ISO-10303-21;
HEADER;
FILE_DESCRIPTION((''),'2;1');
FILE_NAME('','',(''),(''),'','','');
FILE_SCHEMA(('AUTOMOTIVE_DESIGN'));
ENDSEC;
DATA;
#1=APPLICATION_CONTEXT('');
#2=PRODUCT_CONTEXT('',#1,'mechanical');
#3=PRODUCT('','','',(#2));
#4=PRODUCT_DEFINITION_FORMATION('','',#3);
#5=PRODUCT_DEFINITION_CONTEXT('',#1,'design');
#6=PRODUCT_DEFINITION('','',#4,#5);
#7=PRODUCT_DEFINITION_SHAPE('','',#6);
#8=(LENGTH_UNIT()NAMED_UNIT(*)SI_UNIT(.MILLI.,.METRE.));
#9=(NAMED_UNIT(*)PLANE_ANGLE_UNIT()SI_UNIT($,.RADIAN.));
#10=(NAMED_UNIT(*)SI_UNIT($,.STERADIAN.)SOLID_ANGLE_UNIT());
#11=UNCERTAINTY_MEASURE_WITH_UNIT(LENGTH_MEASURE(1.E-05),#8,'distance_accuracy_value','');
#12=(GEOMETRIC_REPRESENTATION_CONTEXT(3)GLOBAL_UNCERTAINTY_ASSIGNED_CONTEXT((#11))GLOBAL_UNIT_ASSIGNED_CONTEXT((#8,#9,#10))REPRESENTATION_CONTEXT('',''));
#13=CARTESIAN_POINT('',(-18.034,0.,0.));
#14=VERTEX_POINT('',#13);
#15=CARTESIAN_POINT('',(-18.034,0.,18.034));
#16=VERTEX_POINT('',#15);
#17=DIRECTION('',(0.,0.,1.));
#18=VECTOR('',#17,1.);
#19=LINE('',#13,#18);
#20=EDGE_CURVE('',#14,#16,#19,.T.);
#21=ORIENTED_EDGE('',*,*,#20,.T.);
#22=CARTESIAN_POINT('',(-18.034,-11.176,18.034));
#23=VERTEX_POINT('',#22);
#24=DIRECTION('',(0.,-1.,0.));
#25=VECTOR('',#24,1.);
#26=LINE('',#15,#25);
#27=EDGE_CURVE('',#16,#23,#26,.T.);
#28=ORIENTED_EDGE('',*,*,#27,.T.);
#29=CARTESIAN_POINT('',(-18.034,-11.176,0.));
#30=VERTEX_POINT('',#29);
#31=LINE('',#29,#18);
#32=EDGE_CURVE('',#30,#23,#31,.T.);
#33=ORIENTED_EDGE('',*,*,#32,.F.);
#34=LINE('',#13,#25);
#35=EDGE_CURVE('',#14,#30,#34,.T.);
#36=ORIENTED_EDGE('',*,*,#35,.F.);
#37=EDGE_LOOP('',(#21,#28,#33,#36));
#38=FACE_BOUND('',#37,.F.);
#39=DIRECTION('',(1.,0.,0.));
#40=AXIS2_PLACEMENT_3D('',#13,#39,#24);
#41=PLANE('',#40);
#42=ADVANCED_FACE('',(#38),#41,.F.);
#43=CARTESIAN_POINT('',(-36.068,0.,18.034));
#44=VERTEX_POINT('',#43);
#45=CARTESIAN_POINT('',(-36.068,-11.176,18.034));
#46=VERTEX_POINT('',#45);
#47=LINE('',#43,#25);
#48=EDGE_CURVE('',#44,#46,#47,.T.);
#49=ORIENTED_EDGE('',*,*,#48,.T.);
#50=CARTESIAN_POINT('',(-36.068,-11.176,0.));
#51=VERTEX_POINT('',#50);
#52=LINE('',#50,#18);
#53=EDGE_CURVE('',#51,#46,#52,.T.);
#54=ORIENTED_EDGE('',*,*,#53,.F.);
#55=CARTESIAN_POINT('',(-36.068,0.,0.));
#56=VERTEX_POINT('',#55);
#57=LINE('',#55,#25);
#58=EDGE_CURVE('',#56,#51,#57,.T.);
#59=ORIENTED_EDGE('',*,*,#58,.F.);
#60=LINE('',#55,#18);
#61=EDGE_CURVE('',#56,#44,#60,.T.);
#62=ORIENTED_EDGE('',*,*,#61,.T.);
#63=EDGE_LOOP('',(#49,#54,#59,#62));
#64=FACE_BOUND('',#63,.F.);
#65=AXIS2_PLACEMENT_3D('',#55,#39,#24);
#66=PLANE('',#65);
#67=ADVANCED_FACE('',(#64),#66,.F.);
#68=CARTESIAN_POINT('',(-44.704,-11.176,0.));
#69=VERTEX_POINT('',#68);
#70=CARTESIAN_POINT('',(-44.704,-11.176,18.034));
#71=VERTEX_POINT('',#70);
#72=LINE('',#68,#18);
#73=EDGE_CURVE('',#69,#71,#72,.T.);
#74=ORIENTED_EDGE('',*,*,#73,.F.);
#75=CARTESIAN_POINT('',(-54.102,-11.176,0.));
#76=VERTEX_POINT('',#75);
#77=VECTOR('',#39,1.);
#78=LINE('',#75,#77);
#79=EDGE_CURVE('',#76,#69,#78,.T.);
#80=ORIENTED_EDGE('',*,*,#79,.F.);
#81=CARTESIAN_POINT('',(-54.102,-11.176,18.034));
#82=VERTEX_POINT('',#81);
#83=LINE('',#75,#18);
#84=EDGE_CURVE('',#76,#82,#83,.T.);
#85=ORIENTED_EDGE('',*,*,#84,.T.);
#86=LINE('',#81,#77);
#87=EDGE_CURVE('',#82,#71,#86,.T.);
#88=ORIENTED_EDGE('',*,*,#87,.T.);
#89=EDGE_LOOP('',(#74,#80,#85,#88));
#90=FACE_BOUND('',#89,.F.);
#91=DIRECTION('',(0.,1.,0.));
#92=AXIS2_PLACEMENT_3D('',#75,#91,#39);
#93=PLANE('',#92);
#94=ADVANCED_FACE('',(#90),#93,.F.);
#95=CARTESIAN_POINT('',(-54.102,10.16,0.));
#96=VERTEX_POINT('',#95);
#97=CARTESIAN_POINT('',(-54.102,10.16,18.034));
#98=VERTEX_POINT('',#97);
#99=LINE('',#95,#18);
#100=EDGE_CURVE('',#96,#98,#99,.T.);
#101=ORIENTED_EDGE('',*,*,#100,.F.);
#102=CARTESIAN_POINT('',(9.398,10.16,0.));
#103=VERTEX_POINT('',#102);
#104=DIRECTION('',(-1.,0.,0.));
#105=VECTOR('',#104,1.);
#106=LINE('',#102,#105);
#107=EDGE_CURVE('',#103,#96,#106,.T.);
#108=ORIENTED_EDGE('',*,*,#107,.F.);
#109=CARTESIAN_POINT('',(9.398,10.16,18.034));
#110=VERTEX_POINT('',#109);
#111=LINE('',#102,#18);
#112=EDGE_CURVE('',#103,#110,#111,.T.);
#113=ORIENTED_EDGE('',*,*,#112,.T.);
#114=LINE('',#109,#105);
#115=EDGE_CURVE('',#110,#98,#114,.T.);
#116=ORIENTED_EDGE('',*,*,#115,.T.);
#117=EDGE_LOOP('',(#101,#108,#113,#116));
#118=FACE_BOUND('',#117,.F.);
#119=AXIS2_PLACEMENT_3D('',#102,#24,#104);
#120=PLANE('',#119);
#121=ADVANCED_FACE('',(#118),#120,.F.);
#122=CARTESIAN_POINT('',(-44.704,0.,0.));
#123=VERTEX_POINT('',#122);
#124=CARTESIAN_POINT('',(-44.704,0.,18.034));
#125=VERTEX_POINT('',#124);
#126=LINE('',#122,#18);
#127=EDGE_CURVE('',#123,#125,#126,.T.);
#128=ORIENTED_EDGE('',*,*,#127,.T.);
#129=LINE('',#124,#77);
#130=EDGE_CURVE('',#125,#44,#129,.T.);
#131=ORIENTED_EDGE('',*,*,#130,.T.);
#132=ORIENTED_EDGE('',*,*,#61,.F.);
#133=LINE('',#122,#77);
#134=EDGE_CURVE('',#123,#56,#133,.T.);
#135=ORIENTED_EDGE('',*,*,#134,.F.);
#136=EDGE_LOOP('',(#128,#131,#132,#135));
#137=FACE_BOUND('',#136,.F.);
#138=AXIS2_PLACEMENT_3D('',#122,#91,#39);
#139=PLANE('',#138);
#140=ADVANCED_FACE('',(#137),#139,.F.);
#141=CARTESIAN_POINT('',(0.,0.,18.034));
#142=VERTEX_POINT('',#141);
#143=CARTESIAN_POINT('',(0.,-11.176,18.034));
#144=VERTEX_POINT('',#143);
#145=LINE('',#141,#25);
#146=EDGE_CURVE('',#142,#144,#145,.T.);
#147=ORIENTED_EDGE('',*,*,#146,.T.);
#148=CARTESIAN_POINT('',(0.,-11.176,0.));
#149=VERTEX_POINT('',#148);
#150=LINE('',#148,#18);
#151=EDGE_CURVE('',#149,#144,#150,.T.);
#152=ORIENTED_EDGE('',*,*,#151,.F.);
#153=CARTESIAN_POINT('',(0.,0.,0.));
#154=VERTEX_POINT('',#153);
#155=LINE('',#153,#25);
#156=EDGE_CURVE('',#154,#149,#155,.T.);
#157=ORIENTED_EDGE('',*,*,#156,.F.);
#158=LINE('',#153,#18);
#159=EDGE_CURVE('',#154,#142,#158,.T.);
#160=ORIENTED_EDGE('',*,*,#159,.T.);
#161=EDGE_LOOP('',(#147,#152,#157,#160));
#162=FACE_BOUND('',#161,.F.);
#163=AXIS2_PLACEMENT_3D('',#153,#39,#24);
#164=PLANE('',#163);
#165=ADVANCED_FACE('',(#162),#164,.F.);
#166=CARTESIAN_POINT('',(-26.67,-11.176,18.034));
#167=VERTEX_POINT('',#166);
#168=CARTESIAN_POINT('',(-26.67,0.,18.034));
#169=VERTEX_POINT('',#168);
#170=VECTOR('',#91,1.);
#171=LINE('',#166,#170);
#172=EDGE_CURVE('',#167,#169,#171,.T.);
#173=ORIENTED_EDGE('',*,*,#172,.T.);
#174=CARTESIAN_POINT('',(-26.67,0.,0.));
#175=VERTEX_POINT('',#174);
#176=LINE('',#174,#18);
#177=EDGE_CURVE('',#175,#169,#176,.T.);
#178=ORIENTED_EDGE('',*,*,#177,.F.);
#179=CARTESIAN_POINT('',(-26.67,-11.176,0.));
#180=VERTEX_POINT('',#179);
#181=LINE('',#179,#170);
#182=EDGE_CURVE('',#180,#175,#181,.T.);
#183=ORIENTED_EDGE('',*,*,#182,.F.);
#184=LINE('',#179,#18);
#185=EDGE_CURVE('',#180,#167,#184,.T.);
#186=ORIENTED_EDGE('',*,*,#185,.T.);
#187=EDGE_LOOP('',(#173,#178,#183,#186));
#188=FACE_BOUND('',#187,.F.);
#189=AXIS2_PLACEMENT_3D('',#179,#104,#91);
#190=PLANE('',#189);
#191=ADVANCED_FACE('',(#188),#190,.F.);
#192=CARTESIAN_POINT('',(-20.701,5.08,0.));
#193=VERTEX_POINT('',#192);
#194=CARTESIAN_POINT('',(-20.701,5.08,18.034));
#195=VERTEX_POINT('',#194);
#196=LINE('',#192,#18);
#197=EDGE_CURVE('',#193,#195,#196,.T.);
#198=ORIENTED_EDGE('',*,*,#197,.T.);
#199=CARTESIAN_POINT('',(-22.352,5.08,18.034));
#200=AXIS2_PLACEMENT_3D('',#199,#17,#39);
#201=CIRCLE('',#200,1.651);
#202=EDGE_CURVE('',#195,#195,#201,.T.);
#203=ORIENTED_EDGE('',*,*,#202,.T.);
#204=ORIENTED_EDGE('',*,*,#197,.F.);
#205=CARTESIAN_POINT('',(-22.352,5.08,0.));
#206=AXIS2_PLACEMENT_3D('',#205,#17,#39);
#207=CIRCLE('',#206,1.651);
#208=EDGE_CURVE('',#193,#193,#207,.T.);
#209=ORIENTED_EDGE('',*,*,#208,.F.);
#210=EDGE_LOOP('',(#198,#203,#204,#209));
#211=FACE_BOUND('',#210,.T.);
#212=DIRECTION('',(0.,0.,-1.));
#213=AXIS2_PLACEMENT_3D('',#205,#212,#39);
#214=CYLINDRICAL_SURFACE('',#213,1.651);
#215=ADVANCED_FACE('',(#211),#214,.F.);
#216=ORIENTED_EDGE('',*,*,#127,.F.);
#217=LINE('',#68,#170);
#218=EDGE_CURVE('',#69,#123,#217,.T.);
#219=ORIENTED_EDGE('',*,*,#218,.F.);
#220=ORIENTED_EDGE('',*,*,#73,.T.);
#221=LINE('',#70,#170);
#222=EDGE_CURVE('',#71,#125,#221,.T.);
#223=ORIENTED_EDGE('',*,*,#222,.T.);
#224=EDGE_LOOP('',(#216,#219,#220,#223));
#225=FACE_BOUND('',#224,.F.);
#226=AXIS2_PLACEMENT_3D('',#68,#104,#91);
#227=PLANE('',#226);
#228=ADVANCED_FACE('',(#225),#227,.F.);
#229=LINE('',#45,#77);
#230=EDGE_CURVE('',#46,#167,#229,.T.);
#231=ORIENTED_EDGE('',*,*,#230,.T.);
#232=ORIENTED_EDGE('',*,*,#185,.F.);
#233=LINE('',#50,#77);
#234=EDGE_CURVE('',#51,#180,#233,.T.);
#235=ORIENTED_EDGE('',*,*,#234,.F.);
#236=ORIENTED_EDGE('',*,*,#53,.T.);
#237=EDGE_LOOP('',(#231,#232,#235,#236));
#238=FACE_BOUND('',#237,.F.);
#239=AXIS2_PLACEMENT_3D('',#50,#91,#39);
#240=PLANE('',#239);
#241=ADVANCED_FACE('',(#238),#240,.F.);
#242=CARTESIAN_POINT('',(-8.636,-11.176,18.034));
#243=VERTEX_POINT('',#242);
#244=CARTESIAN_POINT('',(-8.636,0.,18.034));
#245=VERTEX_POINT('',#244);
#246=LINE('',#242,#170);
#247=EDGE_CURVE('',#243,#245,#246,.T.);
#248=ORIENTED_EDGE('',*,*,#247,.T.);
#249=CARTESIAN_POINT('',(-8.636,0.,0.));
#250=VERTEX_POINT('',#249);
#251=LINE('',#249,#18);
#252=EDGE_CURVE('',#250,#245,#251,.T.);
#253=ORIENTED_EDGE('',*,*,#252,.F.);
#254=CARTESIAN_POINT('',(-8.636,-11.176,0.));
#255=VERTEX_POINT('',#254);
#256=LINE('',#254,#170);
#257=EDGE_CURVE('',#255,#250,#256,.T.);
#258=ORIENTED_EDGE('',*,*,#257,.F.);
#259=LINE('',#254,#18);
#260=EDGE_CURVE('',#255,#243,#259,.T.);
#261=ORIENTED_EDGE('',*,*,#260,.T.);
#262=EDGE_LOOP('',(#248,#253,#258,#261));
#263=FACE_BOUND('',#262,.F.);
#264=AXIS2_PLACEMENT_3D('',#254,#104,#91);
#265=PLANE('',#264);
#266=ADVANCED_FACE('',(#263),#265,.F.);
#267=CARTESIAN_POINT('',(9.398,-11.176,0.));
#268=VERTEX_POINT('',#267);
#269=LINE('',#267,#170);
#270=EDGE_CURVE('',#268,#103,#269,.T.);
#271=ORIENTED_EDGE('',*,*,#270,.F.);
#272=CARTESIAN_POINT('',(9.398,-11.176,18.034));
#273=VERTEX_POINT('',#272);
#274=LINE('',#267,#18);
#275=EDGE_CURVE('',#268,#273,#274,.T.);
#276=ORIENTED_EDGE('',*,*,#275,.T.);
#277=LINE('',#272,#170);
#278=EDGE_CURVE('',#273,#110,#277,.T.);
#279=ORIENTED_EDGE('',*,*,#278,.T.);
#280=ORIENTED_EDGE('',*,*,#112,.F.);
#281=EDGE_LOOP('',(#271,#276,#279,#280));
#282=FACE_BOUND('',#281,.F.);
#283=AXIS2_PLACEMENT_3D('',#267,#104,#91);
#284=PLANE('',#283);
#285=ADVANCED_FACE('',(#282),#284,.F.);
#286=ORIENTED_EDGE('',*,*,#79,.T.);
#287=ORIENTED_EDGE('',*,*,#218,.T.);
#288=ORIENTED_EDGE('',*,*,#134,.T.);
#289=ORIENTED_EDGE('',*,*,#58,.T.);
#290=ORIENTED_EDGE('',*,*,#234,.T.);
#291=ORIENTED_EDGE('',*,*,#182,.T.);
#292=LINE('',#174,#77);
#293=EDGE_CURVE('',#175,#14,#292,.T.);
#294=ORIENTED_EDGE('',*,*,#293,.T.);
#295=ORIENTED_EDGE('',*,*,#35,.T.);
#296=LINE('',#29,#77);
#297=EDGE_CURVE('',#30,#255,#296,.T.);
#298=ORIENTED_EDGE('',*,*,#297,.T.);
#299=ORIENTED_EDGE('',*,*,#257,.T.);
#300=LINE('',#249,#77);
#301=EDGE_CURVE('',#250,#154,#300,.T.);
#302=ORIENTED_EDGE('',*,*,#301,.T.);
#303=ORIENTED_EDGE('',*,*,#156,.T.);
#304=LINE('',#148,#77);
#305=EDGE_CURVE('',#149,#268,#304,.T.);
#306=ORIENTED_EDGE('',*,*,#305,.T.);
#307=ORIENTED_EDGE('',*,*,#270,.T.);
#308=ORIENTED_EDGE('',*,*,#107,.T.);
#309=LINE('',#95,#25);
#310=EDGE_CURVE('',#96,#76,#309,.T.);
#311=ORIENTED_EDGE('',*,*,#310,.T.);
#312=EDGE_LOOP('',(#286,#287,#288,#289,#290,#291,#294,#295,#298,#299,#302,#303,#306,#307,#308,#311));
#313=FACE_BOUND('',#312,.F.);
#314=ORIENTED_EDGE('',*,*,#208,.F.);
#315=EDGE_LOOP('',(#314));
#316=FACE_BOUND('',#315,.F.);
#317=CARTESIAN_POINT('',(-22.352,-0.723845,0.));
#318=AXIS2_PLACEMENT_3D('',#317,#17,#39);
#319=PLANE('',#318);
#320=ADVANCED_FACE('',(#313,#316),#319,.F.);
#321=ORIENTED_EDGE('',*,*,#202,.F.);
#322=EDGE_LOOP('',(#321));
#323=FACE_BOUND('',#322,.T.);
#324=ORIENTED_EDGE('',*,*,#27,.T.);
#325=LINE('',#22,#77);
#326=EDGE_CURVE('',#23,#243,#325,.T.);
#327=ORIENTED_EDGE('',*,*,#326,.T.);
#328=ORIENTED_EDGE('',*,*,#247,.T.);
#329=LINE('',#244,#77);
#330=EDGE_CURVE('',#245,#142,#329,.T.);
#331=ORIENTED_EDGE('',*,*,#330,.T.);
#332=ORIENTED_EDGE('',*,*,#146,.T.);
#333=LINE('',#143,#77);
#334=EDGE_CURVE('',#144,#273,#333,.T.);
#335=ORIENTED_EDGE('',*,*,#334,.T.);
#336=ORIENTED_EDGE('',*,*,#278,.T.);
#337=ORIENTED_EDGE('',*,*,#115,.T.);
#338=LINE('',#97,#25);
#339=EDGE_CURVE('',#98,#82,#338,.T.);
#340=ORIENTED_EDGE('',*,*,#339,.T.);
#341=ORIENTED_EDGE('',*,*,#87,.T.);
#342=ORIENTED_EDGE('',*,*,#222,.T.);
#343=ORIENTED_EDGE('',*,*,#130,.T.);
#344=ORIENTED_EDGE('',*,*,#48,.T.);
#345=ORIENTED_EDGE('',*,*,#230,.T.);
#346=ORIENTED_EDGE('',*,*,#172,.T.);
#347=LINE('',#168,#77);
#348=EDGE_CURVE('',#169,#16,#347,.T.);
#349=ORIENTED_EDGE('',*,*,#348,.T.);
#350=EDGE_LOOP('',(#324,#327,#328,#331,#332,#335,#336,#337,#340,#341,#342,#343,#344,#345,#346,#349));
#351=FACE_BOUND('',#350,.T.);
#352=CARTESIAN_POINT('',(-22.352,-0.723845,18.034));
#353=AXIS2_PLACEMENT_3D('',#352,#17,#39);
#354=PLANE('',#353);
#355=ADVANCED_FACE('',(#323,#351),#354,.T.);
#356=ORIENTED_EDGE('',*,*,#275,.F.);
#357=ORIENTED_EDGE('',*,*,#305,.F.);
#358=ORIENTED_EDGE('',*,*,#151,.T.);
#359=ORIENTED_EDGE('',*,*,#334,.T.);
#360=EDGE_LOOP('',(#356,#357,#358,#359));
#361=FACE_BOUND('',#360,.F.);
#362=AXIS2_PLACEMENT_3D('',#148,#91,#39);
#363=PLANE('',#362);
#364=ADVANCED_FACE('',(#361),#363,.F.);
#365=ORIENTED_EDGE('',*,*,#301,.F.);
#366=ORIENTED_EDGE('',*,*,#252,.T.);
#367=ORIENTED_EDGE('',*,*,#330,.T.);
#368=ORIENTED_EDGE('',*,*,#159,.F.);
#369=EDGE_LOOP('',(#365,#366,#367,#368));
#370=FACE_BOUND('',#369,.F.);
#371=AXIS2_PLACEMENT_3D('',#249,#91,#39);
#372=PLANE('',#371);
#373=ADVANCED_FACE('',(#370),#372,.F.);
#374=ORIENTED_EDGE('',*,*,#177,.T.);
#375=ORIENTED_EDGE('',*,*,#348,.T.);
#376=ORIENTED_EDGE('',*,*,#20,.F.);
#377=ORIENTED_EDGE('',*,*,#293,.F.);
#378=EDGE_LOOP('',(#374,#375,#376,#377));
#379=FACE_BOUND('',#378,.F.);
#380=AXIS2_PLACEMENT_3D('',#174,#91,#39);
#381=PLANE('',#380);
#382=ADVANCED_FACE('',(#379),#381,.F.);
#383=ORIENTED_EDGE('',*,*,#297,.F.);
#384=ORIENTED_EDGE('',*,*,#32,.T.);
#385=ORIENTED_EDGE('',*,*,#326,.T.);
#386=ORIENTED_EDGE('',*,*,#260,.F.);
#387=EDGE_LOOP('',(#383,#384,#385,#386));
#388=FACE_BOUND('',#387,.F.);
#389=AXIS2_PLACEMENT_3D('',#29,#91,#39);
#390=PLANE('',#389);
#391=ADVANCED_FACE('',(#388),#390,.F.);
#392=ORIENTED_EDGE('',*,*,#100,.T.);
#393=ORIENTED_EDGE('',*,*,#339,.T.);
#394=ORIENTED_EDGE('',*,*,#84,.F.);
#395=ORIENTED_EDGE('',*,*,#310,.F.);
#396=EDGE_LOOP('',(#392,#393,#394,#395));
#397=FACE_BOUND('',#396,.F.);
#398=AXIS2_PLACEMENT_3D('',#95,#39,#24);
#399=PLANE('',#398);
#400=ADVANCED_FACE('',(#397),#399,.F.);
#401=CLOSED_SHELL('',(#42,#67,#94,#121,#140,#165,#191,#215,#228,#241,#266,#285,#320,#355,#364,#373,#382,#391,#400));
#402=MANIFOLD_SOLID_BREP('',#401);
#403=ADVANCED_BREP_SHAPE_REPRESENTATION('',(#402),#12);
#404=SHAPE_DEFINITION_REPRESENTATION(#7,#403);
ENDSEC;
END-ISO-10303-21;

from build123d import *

# Parameters (mm, degrees)
F0_R     = 1.651
F1_DEPTH = 18.034


with BuildPart() as f1:
    # F0 (on Top) → F1 (new body)
    with BuildSketch(Plane.XY):
        Polygon((-54.102, 10.16), (-54.102, 0), (-54.102, -11.176), (-44.704, -11.176), (-44.704, 0), (-36.068, 0), (-36.068, -11.176), (-26.67, -11.176), (-26.67, 0), (-18.034, 0), (-18.034, -11.176), (-8.636, -11.176), (-8.636, 0), (0, 0), (0, -11.176), (9.398, -11.176), (9.398, 10.16), align=None)
        with Locations((-22.352, 5.08)):
            Circle(F0_R, mode=Mode.SUBTRACT)
    extrude(amount=F1_DEPTH)


solid = f1.part
